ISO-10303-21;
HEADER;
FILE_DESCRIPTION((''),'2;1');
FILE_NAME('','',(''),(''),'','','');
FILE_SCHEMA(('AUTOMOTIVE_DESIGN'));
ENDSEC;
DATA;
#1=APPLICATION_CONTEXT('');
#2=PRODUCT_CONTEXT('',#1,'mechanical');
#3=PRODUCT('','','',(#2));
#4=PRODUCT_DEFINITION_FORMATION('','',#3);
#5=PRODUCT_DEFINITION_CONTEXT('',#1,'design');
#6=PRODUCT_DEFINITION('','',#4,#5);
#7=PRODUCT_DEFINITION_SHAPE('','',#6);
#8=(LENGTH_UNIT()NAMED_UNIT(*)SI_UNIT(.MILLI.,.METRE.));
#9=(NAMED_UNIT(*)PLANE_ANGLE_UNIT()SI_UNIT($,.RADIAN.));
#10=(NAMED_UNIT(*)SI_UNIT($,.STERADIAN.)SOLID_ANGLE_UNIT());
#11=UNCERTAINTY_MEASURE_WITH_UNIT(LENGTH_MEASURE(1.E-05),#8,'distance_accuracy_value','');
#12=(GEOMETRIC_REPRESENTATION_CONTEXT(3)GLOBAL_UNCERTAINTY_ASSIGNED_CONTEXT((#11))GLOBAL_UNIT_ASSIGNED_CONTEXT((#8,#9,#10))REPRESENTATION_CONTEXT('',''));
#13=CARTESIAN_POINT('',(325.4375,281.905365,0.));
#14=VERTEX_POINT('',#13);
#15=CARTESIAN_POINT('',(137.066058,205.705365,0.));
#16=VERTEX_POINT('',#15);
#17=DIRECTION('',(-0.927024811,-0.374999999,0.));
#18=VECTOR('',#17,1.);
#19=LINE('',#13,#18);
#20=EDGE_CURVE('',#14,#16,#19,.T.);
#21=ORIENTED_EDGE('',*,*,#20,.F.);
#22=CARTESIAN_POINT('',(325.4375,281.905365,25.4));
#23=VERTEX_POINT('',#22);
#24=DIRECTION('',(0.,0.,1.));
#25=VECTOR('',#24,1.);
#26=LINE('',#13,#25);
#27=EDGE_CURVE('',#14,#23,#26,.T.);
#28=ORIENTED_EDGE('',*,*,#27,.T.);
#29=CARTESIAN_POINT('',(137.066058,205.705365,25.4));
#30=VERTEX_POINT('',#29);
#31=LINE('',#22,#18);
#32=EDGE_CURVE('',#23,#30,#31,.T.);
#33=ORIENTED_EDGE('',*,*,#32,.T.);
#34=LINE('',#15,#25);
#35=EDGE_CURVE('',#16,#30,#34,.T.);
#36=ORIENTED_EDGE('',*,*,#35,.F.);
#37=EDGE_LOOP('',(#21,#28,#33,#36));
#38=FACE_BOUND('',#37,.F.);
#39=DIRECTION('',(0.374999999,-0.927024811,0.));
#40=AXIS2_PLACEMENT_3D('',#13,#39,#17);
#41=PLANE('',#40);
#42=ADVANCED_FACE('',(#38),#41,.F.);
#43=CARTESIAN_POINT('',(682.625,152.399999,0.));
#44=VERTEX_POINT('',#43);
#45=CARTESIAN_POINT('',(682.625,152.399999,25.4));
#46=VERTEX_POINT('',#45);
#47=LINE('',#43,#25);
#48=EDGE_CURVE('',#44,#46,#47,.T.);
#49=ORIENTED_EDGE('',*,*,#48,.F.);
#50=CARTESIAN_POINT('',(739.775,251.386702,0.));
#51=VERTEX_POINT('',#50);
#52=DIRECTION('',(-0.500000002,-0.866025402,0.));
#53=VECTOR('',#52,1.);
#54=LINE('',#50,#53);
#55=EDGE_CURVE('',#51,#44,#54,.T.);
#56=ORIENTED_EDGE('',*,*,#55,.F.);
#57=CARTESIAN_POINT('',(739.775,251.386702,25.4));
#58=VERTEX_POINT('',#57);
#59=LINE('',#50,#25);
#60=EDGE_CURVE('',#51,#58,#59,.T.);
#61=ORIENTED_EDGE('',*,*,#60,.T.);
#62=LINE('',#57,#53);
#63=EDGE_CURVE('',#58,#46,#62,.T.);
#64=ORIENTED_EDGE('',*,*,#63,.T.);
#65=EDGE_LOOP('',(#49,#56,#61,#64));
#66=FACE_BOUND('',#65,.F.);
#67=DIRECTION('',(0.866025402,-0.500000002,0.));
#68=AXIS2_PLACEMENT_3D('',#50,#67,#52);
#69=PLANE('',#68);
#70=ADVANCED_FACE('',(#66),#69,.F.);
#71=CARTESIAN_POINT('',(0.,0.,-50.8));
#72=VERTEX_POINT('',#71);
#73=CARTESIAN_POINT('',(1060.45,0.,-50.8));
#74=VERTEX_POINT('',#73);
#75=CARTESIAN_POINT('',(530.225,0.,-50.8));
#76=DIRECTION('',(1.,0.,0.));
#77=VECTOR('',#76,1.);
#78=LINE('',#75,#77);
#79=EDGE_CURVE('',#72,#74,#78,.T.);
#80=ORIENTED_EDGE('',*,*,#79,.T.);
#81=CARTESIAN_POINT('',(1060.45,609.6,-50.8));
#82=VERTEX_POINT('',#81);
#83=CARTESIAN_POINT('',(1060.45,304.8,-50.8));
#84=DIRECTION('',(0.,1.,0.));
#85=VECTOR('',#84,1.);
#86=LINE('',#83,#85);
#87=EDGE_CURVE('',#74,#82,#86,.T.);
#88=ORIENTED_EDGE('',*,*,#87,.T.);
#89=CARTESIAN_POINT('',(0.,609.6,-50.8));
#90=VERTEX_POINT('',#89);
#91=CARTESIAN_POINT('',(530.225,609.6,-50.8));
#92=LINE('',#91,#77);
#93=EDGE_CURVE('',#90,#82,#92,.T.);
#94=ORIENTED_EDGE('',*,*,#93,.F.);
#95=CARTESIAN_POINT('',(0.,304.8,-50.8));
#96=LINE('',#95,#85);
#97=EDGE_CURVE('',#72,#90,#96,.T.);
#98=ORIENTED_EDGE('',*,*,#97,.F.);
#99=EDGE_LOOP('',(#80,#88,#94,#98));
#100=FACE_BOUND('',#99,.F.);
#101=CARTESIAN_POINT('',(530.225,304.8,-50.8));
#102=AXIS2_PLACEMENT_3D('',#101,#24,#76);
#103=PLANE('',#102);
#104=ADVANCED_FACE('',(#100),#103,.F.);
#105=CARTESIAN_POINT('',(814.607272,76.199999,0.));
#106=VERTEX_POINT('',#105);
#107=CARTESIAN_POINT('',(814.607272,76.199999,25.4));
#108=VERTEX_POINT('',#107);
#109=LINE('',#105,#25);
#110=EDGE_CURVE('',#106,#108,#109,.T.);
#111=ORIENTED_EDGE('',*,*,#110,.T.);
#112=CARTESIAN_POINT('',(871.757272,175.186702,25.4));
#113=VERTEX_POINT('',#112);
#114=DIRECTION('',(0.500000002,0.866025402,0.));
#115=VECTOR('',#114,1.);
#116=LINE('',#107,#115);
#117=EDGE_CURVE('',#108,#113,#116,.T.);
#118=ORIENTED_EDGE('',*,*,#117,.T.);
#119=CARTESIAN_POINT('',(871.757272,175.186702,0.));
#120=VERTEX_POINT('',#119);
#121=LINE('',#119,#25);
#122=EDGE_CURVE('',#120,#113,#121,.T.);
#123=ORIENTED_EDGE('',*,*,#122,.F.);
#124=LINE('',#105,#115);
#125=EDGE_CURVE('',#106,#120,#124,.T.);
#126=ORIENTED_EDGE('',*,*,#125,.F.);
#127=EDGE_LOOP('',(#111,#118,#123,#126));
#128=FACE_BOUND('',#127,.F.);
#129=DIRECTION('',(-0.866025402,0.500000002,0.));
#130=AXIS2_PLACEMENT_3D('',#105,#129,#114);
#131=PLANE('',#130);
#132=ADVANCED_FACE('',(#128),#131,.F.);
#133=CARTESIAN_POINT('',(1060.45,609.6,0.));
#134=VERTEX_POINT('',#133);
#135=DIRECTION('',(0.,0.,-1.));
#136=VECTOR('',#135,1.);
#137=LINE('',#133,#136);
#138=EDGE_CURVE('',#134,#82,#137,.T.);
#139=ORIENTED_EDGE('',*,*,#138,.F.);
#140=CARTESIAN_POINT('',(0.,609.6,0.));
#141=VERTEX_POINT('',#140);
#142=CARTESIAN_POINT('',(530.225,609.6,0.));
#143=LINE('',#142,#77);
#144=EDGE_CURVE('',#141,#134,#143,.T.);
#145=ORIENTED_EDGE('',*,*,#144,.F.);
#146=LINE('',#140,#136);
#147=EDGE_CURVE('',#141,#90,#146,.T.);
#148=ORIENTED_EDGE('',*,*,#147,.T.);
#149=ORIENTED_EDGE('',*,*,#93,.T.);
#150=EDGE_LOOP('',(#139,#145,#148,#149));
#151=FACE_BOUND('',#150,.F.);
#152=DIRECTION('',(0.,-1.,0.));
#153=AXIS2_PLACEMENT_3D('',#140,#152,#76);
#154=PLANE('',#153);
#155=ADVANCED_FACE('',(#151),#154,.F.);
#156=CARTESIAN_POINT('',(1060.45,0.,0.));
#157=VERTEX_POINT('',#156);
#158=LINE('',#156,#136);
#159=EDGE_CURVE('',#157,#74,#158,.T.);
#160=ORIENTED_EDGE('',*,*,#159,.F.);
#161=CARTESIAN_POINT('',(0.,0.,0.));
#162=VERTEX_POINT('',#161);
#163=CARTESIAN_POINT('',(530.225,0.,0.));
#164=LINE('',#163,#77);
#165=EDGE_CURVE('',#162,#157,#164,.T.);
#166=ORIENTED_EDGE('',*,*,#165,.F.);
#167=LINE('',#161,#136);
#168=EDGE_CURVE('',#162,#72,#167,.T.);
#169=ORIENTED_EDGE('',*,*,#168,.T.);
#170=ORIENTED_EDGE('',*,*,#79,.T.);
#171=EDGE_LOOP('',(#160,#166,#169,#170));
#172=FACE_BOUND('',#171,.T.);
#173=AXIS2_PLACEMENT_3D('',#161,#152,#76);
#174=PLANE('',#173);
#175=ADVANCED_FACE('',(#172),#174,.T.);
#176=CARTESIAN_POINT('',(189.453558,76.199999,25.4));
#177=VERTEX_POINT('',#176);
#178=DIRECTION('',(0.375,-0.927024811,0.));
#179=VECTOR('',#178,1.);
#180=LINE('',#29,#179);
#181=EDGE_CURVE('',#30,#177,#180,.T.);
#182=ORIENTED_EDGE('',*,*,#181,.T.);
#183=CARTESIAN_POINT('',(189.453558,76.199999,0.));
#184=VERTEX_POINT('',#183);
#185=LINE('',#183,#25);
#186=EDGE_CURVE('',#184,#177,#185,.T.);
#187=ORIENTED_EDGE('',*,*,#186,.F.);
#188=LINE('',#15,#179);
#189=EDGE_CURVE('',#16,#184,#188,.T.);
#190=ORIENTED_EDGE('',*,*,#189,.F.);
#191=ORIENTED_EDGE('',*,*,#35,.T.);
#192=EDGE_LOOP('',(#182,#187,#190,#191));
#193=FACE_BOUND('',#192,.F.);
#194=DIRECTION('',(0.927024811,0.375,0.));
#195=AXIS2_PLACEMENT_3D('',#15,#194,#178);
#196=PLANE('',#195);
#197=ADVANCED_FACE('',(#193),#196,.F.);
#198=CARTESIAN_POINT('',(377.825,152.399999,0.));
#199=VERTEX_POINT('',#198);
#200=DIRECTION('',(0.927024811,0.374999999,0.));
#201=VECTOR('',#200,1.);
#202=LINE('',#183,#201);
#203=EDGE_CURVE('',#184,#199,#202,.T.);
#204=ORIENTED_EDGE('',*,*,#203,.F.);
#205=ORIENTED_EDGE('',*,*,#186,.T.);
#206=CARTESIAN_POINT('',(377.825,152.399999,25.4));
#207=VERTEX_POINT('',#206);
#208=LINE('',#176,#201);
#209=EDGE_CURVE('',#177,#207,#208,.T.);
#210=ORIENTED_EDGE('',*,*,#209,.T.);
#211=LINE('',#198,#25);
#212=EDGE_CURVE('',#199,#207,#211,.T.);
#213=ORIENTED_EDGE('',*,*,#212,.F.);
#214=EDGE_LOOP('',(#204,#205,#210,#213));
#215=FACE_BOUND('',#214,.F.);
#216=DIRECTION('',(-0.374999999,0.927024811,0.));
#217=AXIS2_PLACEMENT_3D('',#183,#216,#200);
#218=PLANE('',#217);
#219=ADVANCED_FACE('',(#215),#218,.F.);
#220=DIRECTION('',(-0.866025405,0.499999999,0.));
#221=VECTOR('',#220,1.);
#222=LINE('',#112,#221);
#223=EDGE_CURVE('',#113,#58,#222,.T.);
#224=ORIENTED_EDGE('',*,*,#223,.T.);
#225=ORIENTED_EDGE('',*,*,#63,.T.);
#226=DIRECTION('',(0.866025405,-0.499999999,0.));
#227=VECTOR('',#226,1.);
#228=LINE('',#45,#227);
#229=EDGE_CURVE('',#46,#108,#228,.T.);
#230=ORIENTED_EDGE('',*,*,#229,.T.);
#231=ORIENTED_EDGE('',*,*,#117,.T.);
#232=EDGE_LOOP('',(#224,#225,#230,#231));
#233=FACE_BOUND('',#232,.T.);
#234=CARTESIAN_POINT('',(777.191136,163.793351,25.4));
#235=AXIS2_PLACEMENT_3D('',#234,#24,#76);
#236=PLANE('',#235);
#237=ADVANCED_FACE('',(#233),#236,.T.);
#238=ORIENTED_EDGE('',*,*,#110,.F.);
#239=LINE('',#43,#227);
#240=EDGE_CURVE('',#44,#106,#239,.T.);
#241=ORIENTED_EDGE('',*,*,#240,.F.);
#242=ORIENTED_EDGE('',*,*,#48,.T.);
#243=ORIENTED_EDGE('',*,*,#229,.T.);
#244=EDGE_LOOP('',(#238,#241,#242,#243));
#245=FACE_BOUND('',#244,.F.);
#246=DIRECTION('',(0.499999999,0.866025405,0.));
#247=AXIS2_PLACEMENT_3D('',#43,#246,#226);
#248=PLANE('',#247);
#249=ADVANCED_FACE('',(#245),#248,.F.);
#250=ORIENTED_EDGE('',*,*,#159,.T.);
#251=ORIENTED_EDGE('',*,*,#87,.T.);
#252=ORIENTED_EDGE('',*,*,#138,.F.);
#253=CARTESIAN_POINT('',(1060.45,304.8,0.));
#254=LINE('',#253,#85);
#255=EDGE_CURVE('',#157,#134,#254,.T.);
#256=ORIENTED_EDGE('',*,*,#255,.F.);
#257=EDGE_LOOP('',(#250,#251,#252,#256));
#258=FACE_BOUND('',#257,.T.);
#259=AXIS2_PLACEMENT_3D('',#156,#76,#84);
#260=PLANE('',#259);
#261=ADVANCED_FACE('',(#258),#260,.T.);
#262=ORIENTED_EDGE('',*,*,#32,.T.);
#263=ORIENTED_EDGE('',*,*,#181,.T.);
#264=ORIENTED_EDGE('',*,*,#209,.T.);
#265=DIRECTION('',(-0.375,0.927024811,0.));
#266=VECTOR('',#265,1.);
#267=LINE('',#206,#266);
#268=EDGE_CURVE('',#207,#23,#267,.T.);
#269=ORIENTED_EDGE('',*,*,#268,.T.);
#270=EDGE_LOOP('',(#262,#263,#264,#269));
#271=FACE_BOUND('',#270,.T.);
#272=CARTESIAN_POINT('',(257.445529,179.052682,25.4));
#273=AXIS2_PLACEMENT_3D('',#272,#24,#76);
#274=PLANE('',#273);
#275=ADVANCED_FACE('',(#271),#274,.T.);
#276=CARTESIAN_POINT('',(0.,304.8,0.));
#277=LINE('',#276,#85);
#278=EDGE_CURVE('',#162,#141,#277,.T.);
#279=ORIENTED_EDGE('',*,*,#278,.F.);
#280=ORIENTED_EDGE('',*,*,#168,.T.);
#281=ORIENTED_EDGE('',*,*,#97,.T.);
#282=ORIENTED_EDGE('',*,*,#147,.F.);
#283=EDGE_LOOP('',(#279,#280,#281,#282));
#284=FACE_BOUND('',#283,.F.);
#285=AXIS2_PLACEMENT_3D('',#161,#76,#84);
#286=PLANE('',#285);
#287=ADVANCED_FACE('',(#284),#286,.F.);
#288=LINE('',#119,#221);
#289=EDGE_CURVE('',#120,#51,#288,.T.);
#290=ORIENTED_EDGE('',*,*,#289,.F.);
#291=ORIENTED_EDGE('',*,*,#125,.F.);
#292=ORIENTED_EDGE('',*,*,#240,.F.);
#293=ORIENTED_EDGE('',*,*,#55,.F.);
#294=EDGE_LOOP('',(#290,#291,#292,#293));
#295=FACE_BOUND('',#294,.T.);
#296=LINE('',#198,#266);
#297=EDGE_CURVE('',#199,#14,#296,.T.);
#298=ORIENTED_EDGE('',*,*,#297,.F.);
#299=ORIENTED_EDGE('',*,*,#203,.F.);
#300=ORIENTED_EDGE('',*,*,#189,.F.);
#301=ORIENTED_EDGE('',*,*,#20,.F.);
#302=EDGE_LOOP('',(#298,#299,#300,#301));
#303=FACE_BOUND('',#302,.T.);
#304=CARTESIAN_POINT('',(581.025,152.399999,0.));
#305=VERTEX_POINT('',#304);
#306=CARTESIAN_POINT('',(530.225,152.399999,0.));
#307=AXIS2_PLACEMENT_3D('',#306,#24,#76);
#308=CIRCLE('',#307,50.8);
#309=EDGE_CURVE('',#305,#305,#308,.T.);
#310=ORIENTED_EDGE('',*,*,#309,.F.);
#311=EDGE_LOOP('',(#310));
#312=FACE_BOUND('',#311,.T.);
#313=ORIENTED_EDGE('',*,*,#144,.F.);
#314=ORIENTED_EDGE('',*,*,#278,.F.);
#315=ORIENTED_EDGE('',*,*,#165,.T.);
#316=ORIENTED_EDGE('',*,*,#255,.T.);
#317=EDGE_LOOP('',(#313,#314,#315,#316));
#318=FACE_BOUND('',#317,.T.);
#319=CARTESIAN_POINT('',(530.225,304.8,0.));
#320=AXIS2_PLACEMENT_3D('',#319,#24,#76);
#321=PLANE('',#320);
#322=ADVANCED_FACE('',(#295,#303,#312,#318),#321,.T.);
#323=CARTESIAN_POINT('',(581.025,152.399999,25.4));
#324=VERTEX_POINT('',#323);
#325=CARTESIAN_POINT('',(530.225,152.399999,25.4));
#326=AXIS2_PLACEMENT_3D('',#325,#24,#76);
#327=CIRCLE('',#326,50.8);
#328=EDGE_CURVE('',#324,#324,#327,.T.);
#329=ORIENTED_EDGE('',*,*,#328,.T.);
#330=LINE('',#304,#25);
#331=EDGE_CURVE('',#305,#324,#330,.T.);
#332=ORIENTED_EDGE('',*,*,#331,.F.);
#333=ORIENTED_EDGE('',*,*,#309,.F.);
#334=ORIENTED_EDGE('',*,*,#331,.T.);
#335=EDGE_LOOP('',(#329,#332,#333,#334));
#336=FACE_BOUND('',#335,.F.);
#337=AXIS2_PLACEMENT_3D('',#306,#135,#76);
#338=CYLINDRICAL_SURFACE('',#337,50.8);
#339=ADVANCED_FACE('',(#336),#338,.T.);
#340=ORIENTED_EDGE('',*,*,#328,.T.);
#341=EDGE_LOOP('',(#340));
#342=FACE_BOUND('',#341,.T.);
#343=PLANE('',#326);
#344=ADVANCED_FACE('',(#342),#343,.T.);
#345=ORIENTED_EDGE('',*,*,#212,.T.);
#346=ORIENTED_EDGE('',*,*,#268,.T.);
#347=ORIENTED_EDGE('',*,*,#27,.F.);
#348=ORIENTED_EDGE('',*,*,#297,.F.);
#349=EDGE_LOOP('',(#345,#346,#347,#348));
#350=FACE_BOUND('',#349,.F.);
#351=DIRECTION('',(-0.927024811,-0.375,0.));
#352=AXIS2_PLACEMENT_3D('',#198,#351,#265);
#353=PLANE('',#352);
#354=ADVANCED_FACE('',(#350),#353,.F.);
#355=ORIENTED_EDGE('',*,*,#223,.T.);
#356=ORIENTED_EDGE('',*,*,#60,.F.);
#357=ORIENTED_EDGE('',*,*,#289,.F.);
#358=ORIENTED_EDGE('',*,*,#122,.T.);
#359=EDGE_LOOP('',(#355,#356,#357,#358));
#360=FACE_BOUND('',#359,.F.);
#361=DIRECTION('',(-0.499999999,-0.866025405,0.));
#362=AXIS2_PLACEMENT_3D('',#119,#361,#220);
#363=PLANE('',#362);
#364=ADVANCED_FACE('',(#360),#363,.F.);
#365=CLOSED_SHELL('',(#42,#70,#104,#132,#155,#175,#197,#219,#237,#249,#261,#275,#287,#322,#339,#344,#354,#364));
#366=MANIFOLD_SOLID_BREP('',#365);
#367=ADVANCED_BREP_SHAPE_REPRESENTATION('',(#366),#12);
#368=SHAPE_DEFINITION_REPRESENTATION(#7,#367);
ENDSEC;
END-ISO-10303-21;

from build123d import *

# Parameters (mm, degrees)
F0_W     = 1060.45
F0_H     = 609.6
F2_DEPTH = 50.8
F1_R     = 50.8
F3_DEPTH = 25.4


with BuildPart() as f2:
    # F0 (on Top) → F2 (new body)
    with BuildSketch(Plane.XY):
        with Locations((530.225, 304.8)):
            Rectangle(F0_W, F0_H)
    extrude(amount=-F2_DEPTH)

    # F1 (on face) → F3 (join)
    with BuildSketch(Plane.XY):
        Polygon((377.825, 152.399999), (325.4375, 281.905365), (137.066058, 205.705365), (189.453558, 76.199999), align=None)
        Polygon((814.607272, 76.199999), (871.757272, 175.186702), (739.775, 251.386702), (682.625, 152.399999), align=None)
        with Locations((530.225, 152.399999)):
            Circle(F1_R)
    extrude(amount=F3_DEPTH)


solid = f2.part
